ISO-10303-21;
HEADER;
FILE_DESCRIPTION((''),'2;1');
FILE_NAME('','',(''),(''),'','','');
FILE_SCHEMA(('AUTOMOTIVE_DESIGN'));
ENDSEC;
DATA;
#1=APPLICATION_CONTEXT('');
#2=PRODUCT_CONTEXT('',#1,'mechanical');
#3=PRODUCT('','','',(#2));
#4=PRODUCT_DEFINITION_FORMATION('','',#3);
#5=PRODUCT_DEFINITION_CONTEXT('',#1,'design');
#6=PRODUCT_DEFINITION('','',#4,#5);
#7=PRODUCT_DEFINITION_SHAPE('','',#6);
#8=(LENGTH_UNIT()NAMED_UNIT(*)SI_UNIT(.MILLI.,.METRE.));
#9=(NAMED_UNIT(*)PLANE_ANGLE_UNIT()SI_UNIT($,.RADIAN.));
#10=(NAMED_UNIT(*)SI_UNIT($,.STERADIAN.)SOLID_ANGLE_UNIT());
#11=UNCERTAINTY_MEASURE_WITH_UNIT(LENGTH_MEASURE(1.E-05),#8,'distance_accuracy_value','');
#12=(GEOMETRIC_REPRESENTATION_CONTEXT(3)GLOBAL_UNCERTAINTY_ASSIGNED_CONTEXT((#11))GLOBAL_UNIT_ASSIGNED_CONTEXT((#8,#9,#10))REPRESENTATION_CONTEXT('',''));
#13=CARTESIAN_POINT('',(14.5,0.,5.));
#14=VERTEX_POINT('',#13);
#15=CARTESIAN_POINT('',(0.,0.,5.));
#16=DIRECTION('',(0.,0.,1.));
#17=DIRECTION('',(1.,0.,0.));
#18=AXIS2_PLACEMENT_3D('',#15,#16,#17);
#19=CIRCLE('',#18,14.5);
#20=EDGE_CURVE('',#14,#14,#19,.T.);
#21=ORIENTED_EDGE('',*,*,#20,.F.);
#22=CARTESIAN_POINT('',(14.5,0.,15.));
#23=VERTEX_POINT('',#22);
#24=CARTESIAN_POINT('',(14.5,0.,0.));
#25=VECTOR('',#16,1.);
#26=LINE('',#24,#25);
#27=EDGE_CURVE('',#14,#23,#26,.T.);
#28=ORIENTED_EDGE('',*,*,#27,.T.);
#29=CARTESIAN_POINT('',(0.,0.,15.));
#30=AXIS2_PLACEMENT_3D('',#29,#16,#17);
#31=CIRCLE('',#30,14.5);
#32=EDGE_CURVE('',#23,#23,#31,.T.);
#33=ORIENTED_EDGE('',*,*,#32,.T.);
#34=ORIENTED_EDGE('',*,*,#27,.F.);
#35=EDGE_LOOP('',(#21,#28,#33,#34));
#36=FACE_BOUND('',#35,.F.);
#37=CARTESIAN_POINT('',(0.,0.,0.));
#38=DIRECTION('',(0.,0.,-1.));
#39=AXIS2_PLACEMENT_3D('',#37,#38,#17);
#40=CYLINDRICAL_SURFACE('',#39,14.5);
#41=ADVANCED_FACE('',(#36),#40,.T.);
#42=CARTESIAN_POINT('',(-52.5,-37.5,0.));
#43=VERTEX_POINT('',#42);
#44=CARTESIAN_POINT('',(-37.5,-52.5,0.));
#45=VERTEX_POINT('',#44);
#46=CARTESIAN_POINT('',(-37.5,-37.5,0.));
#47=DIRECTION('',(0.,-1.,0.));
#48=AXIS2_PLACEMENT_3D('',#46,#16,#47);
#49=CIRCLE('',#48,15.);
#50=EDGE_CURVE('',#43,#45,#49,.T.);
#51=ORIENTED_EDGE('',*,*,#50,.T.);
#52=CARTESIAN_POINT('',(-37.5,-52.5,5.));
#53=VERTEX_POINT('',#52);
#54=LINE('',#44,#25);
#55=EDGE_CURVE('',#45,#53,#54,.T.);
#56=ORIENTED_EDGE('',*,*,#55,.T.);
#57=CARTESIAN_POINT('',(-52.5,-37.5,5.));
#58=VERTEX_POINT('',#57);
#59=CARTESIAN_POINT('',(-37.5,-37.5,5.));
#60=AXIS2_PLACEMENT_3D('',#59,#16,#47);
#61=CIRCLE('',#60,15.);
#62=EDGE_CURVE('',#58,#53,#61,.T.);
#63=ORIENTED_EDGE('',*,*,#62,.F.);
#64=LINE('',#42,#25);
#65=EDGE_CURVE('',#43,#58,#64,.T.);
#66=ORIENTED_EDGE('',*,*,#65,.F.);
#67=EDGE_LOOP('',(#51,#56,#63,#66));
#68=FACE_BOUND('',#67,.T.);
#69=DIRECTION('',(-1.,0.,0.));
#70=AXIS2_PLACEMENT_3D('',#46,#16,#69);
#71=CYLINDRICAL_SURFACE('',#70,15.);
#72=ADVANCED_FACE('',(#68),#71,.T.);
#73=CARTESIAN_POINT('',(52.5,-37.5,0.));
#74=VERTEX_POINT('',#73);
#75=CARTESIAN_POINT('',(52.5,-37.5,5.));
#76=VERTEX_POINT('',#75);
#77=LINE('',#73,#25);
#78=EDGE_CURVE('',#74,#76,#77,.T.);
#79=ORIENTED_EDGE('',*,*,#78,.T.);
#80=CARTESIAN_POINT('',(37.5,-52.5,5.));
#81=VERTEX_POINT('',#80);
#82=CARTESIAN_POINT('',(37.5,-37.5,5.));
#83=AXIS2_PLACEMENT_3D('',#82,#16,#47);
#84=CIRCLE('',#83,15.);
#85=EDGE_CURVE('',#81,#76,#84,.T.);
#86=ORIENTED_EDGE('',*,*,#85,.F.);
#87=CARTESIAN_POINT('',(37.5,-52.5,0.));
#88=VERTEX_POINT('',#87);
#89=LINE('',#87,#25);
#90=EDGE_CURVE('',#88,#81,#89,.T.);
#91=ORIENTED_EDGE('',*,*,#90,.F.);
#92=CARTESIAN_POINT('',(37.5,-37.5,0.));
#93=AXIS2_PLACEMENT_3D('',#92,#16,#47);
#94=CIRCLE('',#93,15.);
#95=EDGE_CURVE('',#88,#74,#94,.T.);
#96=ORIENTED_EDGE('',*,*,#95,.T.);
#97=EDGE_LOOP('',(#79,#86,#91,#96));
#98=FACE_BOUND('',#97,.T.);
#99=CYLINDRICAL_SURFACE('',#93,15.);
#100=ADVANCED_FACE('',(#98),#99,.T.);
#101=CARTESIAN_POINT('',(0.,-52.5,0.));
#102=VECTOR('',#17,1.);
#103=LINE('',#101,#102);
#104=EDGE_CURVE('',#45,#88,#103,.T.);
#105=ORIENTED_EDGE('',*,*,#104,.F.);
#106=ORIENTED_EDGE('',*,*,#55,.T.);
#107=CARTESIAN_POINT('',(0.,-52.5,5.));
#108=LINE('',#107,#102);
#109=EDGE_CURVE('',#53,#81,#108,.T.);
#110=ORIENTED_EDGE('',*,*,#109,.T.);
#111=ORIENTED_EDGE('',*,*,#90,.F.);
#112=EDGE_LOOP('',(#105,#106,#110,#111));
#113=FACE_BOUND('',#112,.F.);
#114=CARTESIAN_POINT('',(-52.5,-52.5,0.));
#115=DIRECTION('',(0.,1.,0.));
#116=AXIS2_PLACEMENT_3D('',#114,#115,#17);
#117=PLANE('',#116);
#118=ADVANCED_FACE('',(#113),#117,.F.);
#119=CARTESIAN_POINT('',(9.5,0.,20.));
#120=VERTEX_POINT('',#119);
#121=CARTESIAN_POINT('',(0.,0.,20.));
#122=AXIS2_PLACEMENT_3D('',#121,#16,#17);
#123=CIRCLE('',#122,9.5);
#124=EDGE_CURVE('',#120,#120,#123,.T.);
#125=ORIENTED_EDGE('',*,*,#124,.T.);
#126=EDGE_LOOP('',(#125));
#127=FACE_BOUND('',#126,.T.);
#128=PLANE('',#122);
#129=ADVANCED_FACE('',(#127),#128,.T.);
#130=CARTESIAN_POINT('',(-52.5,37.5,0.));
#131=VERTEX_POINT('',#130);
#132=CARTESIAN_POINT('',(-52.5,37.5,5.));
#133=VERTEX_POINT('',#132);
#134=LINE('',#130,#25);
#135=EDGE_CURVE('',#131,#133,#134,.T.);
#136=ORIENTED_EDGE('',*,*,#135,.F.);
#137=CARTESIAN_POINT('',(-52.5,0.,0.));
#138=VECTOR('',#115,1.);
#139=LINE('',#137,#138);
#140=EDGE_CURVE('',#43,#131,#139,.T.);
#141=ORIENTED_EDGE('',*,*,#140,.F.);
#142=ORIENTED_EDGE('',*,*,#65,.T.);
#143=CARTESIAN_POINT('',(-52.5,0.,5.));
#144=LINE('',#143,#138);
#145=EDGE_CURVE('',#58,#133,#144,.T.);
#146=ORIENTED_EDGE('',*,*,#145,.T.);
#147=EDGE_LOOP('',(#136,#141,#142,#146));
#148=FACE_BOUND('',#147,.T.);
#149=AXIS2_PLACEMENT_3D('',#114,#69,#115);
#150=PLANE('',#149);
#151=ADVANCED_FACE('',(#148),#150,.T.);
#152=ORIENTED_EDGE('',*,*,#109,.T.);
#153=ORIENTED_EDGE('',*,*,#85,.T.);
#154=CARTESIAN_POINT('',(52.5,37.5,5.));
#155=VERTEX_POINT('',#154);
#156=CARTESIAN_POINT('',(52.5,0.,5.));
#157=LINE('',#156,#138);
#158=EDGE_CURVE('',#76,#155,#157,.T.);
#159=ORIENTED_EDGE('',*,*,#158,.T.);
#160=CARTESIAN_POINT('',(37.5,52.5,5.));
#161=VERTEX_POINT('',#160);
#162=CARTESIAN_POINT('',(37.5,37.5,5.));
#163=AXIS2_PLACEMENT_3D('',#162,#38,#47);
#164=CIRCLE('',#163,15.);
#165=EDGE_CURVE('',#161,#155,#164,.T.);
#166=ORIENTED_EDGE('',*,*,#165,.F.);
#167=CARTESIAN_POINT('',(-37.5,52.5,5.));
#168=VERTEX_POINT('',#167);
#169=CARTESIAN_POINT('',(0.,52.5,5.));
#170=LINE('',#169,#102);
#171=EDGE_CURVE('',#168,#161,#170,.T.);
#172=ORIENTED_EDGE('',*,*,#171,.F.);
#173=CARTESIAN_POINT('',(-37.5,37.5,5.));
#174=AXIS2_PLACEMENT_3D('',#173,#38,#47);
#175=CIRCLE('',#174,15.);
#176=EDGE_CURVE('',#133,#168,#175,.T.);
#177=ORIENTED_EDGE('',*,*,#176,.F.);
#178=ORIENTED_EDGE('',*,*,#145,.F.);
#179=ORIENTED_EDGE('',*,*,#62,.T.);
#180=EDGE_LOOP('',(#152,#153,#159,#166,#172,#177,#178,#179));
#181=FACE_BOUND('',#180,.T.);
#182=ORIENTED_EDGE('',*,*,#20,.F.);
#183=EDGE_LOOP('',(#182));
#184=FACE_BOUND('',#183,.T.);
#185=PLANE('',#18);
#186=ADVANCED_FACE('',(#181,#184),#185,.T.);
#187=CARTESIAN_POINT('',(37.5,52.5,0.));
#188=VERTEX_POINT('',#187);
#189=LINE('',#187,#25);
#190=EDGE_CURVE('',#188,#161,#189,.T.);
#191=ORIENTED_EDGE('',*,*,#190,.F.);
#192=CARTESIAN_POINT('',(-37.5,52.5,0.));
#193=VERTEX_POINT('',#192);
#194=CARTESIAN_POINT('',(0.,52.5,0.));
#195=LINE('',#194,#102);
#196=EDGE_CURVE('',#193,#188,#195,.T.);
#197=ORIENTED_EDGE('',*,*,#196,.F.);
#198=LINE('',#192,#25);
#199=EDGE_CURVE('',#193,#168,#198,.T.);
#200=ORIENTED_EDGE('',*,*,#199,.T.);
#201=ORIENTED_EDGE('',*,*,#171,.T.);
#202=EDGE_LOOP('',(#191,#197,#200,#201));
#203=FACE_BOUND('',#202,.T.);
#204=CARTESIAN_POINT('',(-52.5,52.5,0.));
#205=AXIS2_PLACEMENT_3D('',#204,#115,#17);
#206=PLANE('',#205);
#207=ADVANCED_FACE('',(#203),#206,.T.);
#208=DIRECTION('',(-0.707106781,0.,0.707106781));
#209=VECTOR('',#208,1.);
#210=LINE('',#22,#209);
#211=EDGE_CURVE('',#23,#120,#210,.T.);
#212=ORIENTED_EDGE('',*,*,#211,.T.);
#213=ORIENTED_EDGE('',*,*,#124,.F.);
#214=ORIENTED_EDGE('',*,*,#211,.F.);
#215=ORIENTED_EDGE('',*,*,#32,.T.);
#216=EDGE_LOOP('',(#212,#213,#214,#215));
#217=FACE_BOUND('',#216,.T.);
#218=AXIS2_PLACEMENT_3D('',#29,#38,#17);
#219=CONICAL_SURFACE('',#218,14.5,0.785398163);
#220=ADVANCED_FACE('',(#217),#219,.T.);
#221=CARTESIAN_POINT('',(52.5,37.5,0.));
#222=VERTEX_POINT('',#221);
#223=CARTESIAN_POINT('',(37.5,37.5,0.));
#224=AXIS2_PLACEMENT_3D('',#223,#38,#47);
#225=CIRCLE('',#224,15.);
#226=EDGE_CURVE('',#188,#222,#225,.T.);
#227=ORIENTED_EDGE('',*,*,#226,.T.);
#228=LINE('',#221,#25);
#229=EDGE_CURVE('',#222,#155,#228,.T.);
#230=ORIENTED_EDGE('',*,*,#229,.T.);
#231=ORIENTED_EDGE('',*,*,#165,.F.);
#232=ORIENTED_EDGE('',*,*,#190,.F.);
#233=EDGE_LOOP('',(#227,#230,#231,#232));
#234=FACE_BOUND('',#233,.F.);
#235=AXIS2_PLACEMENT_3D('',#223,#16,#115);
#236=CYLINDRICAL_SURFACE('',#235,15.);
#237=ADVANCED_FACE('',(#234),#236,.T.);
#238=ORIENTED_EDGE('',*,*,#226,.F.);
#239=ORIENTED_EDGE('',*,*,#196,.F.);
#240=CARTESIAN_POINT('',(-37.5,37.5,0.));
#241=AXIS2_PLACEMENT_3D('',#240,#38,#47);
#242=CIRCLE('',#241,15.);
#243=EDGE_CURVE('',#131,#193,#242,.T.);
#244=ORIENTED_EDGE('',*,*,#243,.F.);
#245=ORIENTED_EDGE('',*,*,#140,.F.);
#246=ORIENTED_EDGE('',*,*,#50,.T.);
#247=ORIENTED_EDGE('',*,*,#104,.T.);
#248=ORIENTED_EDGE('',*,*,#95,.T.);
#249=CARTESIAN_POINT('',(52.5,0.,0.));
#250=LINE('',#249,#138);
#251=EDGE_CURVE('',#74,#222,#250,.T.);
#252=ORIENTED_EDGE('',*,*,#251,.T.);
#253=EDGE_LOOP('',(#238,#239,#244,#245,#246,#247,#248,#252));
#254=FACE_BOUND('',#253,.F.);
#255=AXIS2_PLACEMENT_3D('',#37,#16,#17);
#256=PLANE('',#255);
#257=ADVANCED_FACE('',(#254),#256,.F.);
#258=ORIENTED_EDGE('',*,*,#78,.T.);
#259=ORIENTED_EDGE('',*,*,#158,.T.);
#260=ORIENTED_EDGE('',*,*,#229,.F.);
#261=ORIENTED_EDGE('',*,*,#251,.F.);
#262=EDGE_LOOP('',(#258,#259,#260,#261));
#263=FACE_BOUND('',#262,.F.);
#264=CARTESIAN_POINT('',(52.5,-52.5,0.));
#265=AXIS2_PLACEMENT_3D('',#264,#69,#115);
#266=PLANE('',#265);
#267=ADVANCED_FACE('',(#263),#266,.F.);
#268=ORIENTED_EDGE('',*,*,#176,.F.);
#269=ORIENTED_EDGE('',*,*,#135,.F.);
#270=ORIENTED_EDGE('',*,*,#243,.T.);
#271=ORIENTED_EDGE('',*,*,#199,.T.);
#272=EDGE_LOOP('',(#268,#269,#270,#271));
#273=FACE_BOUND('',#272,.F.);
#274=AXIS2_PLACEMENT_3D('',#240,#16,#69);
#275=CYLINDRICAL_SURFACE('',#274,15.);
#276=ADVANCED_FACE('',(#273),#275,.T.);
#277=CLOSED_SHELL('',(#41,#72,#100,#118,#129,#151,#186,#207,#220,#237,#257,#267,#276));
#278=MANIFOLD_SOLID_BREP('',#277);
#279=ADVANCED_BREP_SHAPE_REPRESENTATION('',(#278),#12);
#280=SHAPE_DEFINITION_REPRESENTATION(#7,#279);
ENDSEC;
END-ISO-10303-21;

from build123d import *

# Parameters (mm, degrees)
F0_R     = 14.5
F1_DEPTH = 20
F0_W     = 105
F0_H     = 105
F2_DEPTH = 5
F3_R     = 15
F4_SIZE  = 5


with BuildPart() as f1:
    # F0 (on Top) → F1 (new body)
    with BuildSketch(Plane.XY):
        Circle(F0_R)
    extrude(amount=F1_DEPTH)

    # F0 (on Top) → F2 (join)
    with BuildSketch(Plane.XY):
        Rectangle(F0_W, F0_H)
        Circle(F0_R, mode=Mode.SUBTRACT)
    extrude(amount=F2_DEPTH)

    # F3
    f3_edges = [f1.edges().sort_by_distance(p)[0] for p in [
        (52.5, -52.5, 2.5),
        (-52.5, -52.5, 2.5),
        (-52.5, 52.5, 2.5),
        (52.5, 52.5, 2.5),
    ]]
    fillet(f3_edges, radius=F3_R)

    # F4
    f4_edges = [f1.edges().sort_by_distance(p)[0] for p in [
        (-14.5, 0, 20),
    ]]
    chamfer(f4_edges, length=F4_SIZE)


solid = f1.part
